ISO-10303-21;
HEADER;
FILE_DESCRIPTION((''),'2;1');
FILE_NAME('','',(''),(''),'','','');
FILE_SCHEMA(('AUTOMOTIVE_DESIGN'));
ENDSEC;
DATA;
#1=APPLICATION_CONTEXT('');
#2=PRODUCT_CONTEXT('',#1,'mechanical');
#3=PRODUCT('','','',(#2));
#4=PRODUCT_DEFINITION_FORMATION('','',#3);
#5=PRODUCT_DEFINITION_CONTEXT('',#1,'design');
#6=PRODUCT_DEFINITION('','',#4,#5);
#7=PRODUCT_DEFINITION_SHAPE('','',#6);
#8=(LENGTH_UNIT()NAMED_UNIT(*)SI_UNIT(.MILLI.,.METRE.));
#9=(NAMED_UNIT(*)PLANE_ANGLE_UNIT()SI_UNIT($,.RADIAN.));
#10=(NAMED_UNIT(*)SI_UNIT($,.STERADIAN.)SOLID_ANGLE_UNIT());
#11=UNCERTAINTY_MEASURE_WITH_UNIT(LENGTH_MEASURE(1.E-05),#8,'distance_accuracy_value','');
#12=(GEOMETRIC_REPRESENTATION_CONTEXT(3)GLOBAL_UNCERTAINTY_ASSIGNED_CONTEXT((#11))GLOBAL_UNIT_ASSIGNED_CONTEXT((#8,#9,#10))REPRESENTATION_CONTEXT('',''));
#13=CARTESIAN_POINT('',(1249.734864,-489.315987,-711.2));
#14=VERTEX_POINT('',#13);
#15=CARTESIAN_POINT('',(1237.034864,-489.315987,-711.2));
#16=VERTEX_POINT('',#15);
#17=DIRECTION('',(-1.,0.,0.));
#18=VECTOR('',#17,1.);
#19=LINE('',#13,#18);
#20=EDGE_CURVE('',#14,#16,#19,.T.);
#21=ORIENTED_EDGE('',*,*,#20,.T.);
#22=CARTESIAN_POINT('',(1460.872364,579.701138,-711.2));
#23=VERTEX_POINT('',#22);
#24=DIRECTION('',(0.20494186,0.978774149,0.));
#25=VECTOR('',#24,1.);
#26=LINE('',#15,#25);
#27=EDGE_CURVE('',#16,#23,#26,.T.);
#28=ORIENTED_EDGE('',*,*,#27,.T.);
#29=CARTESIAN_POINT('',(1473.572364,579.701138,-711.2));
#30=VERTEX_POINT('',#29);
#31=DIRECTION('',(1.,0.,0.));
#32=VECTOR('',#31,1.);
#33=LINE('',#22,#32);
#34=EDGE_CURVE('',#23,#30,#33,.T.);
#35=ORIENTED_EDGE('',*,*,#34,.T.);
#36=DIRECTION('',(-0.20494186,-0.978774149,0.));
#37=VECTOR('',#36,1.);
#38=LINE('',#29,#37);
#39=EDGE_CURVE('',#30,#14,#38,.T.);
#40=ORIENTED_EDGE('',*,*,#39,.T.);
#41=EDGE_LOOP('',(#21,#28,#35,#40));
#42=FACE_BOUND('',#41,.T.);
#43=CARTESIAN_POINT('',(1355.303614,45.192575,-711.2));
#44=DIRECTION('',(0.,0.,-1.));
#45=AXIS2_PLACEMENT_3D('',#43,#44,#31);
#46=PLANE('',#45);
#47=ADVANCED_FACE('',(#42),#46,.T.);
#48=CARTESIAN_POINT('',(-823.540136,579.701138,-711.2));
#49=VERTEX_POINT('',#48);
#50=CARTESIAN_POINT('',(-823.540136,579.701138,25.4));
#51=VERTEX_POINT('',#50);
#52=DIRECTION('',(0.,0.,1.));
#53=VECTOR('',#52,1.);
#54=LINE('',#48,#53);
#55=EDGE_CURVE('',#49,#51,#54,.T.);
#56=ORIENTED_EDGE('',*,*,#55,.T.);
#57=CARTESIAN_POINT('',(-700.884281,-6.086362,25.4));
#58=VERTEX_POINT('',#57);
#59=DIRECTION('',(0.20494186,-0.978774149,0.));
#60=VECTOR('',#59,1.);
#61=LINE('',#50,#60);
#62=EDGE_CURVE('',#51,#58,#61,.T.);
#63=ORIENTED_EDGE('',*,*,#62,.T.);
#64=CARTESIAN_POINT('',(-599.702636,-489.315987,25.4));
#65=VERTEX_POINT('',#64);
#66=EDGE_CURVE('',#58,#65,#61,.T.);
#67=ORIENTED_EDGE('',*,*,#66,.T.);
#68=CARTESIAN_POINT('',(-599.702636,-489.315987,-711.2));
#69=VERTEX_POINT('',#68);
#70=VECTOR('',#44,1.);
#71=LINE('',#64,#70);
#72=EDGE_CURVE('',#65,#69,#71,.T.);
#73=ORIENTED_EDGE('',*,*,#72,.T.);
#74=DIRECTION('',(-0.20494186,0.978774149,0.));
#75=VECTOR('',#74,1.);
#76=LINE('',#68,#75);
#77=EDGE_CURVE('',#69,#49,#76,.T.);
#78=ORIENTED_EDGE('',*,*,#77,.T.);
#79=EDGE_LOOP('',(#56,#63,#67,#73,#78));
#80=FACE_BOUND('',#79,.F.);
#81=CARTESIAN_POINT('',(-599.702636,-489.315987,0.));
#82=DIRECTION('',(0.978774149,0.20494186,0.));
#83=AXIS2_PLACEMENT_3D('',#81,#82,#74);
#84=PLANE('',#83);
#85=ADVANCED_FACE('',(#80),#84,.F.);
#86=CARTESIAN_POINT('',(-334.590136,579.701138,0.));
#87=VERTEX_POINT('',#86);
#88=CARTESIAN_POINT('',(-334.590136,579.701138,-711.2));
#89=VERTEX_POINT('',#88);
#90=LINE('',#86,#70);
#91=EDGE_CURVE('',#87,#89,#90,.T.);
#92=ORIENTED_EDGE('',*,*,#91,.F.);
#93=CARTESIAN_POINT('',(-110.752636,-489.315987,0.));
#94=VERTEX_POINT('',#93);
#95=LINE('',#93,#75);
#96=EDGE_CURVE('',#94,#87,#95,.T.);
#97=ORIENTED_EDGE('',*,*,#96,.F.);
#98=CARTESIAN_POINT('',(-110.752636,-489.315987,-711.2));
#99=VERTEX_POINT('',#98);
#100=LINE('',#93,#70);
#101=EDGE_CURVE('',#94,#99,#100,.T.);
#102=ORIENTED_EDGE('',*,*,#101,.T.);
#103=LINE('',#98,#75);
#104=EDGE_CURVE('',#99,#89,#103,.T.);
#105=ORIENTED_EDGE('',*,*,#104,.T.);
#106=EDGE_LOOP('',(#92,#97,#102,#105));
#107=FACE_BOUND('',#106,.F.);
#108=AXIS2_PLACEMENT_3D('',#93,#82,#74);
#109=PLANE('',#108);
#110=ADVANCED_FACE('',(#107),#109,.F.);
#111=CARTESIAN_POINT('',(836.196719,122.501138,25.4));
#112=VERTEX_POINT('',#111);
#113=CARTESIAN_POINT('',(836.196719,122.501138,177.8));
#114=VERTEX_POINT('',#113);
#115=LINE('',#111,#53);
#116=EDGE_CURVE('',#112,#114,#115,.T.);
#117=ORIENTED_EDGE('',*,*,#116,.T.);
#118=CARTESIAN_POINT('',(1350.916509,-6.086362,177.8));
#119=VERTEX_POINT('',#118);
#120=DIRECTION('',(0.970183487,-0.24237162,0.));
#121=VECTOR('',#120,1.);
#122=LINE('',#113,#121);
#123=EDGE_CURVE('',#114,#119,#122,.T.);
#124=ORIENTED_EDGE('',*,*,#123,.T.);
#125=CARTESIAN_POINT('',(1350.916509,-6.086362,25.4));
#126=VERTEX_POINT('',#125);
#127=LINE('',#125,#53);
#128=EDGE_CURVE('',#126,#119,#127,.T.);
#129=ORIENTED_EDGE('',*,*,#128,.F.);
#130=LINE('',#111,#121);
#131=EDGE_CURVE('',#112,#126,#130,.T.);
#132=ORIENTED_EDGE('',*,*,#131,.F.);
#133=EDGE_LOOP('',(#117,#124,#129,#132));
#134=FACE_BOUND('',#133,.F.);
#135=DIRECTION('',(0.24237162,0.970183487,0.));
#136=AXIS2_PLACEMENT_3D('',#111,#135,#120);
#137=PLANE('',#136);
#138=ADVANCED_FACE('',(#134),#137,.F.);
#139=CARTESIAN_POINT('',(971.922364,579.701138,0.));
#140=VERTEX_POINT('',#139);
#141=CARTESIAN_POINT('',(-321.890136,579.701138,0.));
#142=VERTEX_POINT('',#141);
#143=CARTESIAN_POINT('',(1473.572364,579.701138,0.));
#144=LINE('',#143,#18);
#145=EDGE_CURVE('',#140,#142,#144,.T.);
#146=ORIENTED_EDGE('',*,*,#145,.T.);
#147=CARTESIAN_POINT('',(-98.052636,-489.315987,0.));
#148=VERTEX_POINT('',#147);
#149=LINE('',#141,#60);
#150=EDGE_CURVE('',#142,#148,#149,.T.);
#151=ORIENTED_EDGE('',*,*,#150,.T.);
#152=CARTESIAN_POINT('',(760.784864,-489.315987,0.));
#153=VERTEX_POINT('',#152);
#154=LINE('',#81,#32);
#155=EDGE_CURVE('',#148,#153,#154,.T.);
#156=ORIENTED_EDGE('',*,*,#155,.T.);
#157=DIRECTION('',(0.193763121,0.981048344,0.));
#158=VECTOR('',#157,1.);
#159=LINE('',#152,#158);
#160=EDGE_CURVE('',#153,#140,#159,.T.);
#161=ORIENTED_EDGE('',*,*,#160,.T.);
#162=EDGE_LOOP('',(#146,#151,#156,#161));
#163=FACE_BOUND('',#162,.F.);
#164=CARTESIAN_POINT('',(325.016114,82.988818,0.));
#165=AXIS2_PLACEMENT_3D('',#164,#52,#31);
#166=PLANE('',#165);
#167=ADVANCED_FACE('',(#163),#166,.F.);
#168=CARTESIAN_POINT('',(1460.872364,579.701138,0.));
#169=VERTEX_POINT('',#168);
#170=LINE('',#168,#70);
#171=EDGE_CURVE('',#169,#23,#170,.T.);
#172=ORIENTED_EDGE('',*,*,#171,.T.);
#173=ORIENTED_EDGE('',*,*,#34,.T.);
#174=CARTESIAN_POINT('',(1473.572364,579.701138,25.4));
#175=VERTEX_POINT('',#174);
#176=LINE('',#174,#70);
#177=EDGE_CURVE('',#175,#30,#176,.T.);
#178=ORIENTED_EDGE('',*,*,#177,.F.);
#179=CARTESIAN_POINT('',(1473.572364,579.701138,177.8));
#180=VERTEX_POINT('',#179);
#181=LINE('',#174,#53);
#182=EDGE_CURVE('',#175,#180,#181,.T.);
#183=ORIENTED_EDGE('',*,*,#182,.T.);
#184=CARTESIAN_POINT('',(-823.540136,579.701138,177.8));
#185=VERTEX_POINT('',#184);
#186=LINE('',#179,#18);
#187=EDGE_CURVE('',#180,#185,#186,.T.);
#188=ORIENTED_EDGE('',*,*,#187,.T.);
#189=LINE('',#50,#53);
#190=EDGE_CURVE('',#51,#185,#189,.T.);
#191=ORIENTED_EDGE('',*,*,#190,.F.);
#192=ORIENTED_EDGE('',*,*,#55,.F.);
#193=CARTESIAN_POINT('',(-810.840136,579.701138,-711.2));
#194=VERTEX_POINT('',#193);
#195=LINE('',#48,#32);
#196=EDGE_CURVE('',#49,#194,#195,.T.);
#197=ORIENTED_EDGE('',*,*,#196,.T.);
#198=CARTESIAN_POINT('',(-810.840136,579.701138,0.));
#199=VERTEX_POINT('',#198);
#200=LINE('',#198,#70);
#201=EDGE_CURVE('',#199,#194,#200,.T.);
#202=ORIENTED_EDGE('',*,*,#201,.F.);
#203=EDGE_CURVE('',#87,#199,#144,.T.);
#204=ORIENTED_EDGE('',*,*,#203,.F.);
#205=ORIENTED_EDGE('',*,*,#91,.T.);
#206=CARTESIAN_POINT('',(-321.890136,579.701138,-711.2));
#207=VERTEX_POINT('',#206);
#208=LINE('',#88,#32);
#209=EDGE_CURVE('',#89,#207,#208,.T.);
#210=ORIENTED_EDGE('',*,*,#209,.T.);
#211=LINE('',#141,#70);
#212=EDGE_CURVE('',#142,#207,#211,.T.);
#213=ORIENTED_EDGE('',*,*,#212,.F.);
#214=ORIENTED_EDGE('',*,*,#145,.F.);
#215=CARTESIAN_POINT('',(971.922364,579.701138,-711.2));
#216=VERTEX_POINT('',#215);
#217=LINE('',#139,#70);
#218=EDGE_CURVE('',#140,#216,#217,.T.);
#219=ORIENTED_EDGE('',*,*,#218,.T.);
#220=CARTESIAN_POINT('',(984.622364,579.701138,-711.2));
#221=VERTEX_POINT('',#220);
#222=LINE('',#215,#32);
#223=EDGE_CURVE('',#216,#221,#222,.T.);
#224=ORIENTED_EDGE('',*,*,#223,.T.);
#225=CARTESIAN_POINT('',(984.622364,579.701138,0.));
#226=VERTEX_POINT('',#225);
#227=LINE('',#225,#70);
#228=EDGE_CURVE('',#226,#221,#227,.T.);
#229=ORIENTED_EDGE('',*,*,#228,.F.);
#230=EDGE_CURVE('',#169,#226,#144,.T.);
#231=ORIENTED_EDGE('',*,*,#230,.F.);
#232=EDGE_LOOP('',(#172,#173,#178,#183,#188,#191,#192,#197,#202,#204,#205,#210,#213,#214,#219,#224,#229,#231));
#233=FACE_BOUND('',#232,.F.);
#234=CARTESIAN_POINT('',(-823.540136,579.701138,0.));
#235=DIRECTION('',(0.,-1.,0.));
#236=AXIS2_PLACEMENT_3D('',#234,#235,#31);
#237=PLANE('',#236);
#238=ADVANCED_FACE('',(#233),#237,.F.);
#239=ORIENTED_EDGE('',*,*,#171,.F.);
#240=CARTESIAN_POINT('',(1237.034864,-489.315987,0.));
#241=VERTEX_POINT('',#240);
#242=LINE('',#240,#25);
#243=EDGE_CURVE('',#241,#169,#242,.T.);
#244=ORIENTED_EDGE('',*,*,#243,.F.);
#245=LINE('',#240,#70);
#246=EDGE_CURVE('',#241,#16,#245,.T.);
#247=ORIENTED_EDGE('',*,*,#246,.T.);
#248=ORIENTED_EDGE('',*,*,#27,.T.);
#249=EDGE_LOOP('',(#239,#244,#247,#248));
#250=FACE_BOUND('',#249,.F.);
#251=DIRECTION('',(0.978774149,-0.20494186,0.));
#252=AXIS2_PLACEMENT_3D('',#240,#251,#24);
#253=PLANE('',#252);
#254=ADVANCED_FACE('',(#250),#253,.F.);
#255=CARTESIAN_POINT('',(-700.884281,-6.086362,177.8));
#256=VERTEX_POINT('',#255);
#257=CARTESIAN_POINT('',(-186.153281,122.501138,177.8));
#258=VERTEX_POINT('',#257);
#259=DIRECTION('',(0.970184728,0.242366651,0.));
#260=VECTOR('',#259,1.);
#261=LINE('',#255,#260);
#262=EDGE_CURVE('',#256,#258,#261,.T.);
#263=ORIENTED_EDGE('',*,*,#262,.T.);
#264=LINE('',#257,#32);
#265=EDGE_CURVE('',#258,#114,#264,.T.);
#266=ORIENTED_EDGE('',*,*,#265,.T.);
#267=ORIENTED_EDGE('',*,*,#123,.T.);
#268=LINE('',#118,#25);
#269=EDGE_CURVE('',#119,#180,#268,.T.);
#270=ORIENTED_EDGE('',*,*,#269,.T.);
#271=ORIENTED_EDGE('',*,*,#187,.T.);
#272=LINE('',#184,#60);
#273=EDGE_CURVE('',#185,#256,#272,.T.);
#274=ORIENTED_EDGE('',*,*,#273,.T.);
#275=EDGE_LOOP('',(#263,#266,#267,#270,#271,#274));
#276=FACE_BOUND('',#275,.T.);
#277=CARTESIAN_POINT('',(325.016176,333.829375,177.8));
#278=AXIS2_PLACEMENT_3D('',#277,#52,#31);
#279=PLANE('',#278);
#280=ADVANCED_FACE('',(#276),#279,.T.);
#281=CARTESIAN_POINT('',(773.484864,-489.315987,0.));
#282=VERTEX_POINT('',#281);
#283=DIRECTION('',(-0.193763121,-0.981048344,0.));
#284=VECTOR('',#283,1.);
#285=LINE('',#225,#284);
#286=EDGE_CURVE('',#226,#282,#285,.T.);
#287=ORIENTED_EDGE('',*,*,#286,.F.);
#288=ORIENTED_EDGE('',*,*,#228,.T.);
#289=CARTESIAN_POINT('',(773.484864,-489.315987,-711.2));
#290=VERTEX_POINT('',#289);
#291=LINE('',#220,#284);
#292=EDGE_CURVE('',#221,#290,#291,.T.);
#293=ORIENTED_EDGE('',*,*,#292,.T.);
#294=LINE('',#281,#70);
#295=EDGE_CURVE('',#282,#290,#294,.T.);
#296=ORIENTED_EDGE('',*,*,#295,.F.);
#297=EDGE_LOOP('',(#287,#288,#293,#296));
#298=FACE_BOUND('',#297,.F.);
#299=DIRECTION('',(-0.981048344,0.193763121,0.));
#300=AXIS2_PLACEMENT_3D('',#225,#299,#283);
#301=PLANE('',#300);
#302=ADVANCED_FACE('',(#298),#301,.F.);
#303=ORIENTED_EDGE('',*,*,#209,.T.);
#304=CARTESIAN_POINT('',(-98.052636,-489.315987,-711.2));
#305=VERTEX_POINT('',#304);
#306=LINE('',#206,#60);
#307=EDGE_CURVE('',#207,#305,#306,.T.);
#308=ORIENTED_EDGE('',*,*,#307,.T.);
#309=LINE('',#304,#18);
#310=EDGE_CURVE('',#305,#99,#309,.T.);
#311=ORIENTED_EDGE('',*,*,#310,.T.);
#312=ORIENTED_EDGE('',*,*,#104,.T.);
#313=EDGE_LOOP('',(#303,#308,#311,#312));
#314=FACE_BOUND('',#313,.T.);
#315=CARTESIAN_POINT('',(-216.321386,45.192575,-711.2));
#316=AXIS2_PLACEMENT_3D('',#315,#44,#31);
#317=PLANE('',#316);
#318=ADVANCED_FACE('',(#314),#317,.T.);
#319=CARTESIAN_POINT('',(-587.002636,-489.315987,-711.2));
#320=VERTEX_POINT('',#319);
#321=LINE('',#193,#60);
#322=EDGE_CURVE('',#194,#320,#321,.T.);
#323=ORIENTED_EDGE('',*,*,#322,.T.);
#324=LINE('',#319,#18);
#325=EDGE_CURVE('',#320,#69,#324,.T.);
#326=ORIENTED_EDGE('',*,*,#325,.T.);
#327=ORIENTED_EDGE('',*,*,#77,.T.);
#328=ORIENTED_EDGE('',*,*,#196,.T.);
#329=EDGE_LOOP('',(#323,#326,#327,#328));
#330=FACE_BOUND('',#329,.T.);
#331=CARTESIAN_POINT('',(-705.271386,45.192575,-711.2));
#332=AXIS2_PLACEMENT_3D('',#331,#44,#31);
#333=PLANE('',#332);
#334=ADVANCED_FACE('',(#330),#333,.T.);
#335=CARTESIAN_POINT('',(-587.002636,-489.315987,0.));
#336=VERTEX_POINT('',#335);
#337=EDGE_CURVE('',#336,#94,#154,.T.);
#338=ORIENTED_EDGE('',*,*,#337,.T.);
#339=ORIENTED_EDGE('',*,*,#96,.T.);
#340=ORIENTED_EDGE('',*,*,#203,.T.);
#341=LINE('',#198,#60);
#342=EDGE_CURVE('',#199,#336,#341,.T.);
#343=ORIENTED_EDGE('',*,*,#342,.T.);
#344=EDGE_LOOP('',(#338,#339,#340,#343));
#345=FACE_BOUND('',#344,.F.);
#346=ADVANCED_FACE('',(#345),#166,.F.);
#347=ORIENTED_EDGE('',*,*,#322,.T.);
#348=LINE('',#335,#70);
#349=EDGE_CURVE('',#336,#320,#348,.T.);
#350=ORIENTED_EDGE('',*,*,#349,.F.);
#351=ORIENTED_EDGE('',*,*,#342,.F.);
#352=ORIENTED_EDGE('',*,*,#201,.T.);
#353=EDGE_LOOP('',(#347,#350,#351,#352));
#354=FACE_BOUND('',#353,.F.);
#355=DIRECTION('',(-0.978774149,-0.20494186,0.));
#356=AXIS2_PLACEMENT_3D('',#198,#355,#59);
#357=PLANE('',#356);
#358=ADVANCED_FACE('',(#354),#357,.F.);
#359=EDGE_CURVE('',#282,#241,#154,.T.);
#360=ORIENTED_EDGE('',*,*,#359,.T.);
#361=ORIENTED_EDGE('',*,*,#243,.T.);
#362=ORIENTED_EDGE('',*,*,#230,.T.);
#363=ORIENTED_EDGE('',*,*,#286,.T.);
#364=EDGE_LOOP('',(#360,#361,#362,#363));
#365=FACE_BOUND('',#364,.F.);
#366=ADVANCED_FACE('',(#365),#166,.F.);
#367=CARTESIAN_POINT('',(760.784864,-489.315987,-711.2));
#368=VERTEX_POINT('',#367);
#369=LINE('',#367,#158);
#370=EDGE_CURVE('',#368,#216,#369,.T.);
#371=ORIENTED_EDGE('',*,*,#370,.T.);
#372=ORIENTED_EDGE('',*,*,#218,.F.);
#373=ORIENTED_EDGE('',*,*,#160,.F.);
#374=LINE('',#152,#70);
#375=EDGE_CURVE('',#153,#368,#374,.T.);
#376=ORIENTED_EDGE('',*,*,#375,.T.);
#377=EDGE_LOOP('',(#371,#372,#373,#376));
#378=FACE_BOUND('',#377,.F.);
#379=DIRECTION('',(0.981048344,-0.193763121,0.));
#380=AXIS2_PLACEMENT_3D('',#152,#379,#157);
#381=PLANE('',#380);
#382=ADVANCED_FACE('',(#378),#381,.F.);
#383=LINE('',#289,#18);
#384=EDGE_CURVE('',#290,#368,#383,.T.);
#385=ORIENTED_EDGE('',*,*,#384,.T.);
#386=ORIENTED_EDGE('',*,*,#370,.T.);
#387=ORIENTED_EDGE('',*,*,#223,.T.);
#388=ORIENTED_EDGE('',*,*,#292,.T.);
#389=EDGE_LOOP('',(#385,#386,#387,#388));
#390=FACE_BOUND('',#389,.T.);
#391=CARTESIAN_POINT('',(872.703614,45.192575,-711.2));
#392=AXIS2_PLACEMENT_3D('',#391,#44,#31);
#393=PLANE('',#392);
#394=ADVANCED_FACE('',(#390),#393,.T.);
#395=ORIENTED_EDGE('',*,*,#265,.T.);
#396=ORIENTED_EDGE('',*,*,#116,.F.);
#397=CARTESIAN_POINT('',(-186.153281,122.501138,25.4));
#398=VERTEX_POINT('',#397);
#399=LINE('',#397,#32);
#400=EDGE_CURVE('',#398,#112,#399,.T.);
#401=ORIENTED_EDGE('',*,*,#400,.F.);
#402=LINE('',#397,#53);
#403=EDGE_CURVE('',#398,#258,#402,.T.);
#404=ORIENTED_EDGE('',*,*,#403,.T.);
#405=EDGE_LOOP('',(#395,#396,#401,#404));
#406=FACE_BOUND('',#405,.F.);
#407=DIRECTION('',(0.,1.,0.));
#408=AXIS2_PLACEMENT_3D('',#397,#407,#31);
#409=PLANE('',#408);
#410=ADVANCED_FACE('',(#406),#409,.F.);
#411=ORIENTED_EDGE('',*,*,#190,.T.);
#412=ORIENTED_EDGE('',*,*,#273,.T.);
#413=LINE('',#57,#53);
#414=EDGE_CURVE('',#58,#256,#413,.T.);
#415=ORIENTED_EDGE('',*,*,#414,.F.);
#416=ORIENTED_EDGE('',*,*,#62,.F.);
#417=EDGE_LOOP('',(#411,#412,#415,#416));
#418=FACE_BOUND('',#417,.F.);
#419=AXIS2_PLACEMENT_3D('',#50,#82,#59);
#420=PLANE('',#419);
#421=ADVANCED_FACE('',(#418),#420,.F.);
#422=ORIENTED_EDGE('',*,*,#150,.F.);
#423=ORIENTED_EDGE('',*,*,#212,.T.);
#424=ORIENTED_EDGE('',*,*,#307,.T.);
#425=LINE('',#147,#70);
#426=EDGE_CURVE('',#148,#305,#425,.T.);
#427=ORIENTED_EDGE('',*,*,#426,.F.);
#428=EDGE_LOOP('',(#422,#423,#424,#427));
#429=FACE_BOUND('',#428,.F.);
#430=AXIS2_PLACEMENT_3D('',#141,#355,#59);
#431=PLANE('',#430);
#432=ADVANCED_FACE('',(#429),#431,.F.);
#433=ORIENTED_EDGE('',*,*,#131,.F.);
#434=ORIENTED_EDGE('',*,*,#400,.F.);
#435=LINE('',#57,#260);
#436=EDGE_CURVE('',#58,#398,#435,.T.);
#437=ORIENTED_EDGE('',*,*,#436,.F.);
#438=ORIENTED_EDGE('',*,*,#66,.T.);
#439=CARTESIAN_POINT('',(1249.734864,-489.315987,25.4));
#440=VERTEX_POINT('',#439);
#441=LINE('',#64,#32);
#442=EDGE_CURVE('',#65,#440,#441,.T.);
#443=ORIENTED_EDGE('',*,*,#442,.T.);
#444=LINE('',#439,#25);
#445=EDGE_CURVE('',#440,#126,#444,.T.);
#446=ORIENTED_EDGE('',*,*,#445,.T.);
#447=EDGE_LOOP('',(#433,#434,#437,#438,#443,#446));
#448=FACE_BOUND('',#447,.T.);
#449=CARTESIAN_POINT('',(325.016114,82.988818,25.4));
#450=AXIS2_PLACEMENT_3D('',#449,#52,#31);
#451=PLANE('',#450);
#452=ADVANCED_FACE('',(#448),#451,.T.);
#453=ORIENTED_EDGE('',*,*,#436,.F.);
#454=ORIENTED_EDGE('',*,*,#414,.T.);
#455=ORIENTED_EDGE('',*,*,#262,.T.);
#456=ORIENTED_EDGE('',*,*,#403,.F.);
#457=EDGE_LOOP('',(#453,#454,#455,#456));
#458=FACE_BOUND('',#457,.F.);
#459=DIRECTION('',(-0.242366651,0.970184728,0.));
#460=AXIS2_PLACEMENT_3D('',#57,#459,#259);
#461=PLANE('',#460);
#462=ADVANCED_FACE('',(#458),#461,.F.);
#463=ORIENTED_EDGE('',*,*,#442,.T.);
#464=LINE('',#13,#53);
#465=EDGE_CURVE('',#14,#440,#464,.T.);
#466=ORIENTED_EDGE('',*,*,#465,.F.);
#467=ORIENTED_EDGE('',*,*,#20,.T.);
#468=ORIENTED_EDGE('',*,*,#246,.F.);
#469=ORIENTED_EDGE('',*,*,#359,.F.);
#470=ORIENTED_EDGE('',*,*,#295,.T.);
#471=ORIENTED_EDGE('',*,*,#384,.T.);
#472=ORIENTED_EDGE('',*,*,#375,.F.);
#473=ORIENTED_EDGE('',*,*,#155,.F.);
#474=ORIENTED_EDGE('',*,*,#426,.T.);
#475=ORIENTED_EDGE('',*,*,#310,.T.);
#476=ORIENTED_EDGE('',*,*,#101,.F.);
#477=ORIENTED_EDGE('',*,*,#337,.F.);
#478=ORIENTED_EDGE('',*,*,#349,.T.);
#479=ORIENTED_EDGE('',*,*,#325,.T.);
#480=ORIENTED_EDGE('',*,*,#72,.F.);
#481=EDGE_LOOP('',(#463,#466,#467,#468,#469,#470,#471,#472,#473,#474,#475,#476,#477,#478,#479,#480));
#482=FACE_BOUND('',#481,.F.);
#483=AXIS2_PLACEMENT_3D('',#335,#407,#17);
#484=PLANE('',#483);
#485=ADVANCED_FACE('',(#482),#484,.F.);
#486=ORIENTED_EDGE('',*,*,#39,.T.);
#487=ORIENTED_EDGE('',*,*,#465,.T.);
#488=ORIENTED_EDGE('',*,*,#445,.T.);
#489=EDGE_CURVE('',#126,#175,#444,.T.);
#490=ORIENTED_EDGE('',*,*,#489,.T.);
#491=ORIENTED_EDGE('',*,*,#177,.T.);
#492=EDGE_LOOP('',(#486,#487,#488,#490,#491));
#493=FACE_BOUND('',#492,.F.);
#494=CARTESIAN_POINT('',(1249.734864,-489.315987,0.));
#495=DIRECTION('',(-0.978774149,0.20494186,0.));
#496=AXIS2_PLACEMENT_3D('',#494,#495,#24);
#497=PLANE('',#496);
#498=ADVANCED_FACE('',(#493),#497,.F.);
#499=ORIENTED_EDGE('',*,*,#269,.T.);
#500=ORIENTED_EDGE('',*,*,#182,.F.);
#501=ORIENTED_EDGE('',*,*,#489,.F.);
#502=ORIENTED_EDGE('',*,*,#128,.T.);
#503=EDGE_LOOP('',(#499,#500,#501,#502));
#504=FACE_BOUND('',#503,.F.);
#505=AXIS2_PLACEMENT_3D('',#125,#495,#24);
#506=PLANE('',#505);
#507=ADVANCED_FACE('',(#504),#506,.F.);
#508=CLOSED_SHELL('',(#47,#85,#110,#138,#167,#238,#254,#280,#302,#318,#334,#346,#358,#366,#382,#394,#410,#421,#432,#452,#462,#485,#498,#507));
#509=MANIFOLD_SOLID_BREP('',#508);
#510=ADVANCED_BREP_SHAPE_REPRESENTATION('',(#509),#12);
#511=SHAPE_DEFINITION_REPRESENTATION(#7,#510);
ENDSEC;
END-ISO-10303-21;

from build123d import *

# Parameters (mm, degrees)
F1_DEPTH = 25.4
F3_DEPTH = 152.4
F5_DEPTH = 711.2


with BuildPart() as f1:
    # F0 (on Top) → F1 (new body)
    with BuildSketch(Plane.XY):
        Polygon((-823.540136, 579.701138), (-599.702636, -489.315987), (1249.734864, -489.315987), (1473.572364, 579.701138), align=None)
    extrude(amount=F1_DEPTH)

    # F2 (on face) → F3 (join)
    with BuildSketch(Plane.XY.offset(25.4)):
        Polygon((1473.572364, 579.701138), (-823.540136, 579.701138), (-700.884281, -6.086362), (-186.153281, 122.501138), (836.196719, 122.501138), (1350.916509, -6.086362), align=None)
    extrude(amount=F3_DEPTH)

    # F4 (on face) → F5 (join)
    with BuildSketch(Plane(origin=(0, 0, 0), x_dir=(1, 0, 0), z_dir=(0, 0, -1))):
        Polygon((-810.840136, -579.701138), (-587.002636, 489.315987), (-599.702636, 489.315987), (-823.540136, -579.701138), align=None)
        Polygon((-321.890136, -579.701138), (-98.052636, 489.315987), (-110.752636, 489.315987), (-334.590136, -579.701138), align=None)
        Polygon((984.622364, -579.701138), (773.484864, 489.315987), (760.784864, 489.315987), (971.922364, -579.701138), align=None)
        Polygon((1473.572364, -579.701138), (1249.734864, 489.315987), (1237.034864, 489.315987), (1460.872364, -579.701138), align=None)
    extrude(amount=F5_DEPTH)


solid = f1.part
